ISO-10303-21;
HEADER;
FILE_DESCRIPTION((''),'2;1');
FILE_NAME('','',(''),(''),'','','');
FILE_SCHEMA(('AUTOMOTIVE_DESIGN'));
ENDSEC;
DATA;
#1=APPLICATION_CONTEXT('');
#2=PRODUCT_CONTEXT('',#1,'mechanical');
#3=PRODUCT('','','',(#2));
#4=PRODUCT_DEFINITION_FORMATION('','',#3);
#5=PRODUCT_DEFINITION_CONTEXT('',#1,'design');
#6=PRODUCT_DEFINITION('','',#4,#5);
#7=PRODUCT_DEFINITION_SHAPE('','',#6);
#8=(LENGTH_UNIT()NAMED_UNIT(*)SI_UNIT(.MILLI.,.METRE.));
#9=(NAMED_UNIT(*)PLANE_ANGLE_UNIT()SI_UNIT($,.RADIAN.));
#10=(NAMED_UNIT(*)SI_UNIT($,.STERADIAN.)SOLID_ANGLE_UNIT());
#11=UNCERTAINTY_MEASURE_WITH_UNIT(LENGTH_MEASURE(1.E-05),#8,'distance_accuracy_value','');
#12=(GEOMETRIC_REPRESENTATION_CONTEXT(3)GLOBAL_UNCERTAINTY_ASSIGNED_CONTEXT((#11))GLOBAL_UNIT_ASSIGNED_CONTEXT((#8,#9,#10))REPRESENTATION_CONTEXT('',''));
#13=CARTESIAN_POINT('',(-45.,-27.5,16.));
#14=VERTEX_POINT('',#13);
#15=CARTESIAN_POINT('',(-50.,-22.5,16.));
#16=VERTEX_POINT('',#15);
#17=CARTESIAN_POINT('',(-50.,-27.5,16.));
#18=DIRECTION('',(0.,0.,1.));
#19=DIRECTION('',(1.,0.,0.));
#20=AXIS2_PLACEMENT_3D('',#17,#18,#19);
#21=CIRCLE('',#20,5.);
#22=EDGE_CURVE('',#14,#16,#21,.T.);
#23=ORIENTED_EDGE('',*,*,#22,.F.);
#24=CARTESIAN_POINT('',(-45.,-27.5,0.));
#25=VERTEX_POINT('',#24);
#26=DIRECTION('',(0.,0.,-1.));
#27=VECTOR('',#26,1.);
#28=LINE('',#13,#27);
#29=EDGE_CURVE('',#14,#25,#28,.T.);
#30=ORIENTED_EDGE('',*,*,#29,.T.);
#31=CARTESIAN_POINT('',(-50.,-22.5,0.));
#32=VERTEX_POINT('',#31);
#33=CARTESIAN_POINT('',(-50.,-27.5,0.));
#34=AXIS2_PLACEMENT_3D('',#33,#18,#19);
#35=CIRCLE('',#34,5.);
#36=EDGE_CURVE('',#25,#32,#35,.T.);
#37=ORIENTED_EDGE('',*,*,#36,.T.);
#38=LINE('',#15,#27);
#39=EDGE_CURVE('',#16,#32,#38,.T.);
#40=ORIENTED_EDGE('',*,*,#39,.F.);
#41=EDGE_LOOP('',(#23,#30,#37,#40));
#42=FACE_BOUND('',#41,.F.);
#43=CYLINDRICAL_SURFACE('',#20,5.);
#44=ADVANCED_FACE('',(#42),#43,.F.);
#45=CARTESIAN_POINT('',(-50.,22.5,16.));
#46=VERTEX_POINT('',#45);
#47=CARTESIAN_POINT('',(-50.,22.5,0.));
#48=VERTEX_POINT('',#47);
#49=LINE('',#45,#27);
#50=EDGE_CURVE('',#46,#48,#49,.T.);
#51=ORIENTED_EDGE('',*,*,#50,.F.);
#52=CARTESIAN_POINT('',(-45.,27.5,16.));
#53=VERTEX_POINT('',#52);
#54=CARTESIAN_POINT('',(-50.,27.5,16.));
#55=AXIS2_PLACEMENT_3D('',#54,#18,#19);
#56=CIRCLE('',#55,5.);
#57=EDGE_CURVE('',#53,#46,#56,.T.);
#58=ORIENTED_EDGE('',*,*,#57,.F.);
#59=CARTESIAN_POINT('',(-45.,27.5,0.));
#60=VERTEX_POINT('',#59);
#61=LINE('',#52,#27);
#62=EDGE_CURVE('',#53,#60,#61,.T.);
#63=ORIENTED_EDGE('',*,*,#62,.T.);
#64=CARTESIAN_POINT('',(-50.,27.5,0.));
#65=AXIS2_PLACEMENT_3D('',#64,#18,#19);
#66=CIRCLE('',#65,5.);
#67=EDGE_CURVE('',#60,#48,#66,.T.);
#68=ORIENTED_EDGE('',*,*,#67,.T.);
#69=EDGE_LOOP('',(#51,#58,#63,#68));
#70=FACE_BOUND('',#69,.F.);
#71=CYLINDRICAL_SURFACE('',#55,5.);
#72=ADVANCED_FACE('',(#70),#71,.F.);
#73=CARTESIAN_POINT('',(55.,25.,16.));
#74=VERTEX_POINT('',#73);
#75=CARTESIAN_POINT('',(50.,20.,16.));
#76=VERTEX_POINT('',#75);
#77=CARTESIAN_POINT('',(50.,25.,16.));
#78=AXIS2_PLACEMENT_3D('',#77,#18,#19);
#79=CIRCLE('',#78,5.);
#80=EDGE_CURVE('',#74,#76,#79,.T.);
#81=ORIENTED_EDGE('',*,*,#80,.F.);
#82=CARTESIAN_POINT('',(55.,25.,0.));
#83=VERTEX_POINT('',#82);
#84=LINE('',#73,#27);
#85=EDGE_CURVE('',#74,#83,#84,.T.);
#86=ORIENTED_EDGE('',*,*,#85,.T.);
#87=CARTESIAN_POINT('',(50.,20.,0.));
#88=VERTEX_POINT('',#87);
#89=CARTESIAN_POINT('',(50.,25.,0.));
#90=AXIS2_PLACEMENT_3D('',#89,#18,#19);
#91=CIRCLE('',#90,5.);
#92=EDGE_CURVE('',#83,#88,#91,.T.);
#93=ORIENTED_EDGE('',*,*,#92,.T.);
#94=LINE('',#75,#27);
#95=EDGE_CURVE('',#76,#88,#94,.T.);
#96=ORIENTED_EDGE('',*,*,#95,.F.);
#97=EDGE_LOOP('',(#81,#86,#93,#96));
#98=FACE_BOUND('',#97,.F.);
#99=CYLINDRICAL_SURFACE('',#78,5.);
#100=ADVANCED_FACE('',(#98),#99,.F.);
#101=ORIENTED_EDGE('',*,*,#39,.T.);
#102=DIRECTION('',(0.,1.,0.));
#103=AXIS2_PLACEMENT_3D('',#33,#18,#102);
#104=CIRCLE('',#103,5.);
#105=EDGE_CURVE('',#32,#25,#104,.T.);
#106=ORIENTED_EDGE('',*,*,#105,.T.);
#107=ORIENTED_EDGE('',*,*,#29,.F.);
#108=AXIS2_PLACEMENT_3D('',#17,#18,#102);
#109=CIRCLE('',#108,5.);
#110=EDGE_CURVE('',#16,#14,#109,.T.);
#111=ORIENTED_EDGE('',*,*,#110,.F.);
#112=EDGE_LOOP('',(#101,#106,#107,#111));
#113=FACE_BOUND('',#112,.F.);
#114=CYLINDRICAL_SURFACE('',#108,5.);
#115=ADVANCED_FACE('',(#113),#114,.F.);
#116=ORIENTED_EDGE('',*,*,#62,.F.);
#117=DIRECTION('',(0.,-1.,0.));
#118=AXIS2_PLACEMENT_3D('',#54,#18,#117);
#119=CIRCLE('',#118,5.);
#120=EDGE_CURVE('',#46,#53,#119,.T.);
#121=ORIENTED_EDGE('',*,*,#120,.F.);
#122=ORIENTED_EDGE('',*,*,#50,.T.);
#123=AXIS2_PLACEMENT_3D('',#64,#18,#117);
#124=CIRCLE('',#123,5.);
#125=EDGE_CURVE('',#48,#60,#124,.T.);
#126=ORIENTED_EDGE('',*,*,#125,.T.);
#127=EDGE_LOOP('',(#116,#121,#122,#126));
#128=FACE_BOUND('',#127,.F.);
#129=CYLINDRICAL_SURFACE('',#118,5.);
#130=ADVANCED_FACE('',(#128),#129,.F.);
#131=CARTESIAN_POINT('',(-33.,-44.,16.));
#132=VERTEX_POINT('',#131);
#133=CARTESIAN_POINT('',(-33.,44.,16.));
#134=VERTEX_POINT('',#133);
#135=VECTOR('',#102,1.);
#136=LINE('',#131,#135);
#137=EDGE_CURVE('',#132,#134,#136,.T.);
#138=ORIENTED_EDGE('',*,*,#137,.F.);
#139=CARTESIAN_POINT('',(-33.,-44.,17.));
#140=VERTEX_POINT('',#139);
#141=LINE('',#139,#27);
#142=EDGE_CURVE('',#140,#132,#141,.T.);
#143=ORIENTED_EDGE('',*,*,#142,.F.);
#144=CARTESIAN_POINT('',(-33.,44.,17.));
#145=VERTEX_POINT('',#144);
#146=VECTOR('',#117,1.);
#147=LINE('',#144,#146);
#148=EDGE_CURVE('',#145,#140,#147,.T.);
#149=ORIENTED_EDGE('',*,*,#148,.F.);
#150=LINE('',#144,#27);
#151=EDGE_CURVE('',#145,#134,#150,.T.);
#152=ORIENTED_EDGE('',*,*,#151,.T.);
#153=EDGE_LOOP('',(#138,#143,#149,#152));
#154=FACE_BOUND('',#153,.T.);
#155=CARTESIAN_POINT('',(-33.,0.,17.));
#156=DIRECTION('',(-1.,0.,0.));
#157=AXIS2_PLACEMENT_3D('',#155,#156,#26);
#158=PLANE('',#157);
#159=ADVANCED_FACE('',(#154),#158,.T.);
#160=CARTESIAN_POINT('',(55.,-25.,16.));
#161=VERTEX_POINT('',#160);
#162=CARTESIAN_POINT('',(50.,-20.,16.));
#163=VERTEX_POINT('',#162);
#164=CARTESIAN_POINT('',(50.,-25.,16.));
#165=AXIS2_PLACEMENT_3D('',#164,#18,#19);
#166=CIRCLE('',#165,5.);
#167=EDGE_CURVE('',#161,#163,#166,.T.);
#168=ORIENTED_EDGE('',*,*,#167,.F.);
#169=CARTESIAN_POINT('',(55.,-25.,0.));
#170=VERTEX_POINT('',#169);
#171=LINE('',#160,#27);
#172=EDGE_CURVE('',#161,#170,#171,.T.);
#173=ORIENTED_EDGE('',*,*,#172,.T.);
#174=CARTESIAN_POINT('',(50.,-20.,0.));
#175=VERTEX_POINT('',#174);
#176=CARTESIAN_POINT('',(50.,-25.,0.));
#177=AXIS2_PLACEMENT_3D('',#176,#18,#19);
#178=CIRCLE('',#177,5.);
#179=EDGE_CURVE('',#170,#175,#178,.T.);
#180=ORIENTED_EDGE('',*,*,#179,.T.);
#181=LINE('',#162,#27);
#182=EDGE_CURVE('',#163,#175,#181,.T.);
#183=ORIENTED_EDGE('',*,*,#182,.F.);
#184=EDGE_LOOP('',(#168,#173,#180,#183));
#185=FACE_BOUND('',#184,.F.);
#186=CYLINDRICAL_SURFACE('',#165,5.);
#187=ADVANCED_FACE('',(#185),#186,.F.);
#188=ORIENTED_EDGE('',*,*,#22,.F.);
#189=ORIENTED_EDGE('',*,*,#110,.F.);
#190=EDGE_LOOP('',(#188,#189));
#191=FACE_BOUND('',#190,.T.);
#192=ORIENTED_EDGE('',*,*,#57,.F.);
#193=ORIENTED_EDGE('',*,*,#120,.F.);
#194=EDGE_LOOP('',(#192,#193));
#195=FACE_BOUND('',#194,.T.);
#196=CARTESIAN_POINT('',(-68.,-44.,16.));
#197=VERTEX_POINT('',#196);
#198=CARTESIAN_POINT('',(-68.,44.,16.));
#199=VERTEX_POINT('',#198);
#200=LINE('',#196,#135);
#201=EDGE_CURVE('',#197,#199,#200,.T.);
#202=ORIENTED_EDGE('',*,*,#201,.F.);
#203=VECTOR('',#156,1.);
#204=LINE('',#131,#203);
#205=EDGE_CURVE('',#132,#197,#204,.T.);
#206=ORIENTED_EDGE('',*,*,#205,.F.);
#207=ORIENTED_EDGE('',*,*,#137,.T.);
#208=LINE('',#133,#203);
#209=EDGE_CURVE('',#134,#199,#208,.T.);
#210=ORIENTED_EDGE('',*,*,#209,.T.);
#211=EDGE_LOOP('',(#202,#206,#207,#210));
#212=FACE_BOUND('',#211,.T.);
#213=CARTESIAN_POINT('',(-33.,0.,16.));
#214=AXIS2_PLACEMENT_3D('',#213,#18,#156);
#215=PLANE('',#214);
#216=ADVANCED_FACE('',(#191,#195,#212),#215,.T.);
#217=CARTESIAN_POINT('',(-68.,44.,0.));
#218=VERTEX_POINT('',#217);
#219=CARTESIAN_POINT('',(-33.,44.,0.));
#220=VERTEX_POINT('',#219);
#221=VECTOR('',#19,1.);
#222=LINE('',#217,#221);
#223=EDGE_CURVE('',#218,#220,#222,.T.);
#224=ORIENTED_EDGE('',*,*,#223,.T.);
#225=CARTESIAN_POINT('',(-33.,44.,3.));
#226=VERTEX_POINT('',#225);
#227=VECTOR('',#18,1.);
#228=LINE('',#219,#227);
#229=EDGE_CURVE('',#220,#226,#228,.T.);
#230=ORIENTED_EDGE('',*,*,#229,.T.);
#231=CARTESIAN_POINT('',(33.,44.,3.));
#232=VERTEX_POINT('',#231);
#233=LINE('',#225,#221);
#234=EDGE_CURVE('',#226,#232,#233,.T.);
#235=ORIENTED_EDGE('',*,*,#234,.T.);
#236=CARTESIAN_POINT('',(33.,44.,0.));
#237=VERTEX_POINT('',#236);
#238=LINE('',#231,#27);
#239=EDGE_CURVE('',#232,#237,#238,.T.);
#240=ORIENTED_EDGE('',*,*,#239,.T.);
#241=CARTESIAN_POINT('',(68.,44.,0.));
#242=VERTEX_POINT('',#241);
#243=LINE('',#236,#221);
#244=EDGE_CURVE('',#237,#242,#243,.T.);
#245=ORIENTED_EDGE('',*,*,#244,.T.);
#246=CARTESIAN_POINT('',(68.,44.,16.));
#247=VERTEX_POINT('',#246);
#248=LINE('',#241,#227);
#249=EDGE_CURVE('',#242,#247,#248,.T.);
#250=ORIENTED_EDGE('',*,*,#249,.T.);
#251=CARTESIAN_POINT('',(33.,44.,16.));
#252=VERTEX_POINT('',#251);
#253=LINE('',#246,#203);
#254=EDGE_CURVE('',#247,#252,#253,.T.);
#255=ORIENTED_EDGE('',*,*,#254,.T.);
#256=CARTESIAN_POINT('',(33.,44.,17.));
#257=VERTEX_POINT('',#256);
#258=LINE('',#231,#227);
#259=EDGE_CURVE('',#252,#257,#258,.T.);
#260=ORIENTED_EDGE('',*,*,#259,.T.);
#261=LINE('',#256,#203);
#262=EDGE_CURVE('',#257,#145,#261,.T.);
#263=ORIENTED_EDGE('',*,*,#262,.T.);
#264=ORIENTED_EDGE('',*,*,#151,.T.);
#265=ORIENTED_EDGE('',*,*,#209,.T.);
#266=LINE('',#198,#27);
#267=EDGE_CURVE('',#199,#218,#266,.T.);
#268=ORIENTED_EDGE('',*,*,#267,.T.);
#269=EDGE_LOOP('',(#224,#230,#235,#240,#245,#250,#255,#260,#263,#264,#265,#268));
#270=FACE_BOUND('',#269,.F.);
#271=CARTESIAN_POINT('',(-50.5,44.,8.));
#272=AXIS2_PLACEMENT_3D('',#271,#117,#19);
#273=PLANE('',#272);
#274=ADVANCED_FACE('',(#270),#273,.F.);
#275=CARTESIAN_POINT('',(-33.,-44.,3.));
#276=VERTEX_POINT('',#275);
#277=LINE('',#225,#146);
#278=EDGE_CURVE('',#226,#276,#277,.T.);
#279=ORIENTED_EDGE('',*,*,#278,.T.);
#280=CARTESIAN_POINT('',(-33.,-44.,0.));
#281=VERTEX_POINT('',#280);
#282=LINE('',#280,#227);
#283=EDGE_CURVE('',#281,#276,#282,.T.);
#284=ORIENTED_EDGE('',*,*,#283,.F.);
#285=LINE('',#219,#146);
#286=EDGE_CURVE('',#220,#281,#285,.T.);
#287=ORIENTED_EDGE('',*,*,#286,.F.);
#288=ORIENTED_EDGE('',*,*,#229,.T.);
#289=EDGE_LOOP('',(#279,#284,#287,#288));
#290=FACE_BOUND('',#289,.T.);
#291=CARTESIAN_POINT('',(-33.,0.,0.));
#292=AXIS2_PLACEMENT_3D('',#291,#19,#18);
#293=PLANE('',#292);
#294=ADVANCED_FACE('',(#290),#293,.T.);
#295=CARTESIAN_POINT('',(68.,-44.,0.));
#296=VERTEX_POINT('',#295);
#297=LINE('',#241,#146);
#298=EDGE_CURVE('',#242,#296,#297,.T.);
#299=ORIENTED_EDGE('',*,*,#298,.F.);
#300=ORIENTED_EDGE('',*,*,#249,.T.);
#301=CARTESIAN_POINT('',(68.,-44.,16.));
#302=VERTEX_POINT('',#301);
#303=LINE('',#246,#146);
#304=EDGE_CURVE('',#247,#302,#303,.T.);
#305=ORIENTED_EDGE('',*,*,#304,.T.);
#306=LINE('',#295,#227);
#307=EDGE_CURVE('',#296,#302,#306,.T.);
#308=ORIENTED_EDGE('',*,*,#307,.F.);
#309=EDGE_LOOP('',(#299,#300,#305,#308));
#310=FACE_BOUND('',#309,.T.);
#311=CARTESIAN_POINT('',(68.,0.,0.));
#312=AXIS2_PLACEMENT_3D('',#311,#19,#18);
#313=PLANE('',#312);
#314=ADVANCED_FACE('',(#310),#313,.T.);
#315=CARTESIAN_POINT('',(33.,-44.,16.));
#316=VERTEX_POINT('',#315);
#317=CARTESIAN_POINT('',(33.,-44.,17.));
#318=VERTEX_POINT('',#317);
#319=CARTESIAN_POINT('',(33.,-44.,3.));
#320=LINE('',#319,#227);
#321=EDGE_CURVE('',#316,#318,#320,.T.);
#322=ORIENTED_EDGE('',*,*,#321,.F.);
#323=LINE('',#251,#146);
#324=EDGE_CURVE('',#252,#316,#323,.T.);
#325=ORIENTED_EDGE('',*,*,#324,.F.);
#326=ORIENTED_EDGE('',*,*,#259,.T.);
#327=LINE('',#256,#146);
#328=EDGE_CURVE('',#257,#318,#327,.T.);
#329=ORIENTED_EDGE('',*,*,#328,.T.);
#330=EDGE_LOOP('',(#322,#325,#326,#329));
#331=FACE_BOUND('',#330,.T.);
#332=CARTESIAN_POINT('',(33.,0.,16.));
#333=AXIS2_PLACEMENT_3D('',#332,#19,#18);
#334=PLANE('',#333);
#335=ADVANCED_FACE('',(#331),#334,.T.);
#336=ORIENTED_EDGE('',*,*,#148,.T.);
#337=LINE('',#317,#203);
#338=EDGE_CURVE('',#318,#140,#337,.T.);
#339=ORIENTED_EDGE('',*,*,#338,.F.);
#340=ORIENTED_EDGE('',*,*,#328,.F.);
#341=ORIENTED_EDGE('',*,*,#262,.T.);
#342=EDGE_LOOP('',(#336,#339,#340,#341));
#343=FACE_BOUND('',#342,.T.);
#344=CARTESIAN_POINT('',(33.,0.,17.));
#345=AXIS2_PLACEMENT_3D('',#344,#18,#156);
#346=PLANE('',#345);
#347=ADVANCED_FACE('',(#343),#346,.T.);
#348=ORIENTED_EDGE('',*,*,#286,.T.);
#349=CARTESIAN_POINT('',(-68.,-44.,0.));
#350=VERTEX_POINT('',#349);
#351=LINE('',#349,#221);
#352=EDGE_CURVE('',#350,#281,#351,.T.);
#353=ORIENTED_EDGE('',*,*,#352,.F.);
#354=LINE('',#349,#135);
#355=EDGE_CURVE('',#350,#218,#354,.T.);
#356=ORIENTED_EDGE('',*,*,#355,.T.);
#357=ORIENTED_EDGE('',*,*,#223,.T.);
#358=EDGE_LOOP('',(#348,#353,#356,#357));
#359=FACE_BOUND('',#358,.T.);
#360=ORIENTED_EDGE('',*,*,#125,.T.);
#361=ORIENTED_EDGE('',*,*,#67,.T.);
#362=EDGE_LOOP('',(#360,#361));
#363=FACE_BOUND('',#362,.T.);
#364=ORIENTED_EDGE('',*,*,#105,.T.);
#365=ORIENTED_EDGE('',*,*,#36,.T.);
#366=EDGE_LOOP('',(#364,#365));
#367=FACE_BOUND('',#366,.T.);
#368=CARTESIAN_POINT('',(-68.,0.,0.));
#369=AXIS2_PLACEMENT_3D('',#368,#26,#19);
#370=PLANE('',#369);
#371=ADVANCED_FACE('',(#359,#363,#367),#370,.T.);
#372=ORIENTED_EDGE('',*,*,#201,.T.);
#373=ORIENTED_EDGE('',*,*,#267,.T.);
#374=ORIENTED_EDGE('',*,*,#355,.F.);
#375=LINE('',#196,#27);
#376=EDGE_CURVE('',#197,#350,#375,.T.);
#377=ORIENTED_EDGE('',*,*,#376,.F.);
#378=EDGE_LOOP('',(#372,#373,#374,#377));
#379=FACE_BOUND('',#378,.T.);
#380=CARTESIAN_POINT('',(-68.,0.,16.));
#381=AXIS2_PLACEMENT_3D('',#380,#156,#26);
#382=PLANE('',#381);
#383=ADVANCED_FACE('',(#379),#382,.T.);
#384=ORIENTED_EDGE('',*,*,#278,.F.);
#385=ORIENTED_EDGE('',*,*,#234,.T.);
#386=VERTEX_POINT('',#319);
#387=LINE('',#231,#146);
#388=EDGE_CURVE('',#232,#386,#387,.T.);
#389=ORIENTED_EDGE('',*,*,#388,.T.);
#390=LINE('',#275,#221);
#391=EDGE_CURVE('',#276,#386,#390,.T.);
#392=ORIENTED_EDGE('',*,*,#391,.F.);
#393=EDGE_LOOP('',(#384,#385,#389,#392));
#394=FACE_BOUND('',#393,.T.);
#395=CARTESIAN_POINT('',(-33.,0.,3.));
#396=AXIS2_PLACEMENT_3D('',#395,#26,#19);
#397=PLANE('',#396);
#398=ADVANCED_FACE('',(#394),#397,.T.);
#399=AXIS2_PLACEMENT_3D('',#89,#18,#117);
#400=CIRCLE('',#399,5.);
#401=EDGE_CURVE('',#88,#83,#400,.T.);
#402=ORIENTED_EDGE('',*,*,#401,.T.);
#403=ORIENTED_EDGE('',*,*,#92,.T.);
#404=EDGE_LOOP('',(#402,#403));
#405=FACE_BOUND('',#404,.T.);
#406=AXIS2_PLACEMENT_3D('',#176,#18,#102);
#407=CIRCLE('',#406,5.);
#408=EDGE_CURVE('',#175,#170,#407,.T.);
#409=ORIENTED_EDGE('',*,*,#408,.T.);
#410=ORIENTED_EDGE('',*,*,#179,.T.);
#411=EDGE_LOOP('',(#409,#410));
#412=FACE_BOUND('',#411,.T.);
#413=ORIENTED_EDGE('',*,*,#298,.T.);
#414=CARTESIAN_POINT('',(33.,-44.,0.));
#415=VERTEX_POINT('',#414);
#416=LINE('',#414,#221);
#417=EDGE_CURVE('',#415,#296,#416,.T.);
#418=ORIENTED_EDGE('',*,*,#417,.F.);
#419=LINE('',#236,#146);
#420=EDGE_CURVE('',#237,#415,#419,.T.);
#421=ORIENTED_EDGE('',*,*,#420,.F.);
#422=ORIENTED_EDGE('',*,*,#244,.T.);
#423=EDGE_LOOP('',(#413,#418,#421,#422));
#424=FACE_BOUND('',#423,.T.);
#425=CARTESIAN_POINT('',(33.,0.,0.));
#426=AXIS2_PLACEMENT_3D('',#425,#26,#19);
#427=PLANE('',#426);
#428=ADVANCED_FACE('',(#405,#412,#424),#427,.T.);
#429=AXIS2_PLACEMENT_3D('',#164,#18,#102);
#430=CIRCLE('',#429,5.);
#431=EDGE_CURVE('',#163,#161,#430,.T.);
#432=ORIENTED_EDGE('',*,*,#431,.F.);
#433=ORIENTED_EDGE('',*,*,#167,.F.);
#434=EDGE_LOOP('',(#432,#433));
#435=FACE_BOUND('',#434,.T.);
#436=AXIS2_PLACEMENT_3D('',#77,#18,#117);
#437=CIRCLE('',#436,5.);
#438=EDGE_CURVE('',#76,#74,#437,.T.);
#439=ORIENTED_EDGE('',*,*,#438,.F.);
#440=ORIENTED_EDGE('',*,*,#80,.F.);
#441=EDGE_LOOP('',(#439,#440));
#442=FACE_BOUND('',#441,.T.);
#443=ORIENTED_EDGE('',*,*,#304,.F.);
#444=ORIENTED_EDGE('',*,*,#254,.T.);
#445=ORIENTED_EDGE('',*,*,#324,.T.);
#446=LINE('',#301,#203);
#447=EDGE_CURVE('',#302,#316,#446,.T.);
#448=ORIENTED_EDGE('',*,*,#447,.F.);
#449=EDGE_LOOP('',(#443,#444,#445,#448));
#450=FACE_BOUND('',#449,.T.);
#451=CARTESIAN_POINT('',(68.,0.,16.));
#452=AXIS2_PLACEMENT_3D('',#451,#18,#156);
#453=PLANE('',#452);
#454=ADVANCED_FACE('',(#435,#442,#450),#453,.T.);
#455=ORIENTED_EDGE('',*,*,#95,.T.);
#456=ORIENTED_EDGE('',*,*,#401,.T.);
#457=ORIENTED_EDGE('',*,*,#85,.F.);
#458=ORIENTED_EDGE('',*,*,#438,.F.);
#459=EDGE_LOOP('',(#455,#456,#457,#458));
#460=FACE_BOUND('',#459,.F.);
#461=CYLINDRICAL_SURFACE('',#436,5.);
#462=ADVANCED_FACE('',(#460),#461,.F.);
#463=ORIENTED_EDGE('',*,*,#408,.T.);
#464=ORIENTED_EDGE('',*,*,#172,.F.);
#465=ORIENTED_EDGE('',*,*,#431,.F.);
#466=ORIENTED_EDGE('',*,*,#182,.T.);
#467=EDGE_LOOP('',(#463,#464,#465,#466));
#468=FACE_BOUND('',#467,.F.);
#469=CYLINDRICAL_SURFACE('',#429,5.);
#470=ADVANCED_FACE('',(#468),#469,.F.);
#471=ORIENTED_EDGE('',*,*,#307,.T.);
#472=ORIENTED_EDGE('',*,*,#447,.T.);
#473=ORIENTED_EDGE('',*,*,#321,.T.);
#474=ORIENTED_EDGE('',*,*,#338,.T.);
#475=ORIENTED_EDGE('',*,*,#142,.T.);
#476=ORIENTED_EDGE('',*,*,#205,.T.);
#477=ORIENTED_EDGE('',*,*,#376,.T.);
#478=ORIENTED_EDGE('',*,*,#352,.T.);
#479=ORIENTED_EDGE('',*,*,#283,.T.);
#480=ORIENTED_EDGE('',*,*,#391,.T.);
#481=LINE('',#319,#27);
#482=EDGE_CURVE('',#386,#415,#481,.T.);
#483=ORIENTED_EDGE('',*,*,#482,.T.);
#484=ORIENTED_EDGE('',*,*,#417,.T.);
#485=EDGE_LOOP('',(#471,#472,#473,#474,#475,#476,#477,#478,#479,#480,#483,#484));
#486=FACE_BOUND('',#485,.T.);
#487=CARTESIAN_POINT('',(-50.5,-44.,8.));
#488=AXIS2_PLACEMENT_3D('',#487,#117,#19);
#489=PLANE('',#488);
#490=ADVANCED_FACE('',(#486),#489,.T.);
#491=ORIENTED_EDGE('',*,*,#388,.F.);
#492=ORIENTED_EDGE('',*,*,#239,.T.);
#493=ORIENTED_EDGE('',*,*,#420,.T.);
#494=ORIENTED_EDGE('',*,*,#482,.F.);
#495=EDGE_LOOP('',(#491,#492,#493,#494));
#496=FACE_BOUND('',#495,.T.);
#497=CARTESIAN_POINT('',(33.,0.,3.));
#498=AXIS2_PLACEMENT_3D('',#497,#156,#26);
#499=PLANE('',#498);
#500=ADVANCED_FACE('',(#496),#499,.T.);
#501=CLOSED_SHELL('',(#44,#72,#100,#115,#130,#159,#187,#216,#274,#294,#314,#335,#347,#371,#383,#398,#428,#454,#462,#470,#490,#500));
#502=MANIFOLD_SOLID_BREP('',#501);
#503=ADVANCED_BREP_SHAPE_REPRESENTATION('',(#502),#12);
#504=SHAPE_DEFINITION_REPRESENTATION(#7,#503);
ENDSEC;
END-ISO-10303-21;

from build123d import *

# Parameters (mm, degrees)
F1_DEPTH = 44
F5_DEPTH = 25
F6_DEPTH = 25


with BuildPart() as f1:
    # F0 (on Front) → F1 (new body, symmetric)
    with BuildSketch(Plane.XZ):
        Polygon((-68, 0), (-33, 0), (-33, 3), (-33, 16), (-68, 16), align=None)
        Polygon((-33, 16), (-33, 3), (33, 3), (33, 16), (33, 17), (-33, 17), align=None)
        Polygon((33, 16), (33, 3), (33, 0), (68, 0), (68, 16), align=None)
    extrude(amount=F1_DEPTH, both=True)

    # F3 (on offset) → F5 (cut)
    with BuildSketch(Plane.XY.offset(16)):
        with BuildLine():
            ThreePointArc((55, 25), (46.4644660941, 28.5355339059), (50, 20))
            ThreePointArc((50, 20), (53.5355339059, 21.4644660941), (55, 25))
        make_face()
        with BuildLine():
            ThreePointArc((55, -25), (53.5355339059, -21.4644660941), (50, -20))
            ThreePointArc((50, -20), (46.4644660941, -28.5355339059), (55, -25))
        make_face()
    extrude(amount=-F5_DEPTH, mode=Mode.SUBTRACT)

    # F4 (on face) → F6 (cut)
    with BuildSketch(Plane.XY.offset(16)):
        with BuildLine():
            ThreePointArc((-45, -27.5), (-46.4644660941, -23.9644660941), (-50, -22.5))
            ThreePointArc((-50, -22.5), (-53.5355339059, -31.0355339059), (-45, -27.5))
        make_face()
        with BuildLine():
            ThreePointArc((-45, 27.5), (-53.5355339059, 31.0355339059), (-50, 22.5))
            ThreePointArc((-50, 22.5), (-46.4644660941, 23.9644660941), (-45, 27.5))
        make_face()
    extrude(amount=-F6_DEPTH, mode=Mode.SUBTRACT)


solid = f1.part
